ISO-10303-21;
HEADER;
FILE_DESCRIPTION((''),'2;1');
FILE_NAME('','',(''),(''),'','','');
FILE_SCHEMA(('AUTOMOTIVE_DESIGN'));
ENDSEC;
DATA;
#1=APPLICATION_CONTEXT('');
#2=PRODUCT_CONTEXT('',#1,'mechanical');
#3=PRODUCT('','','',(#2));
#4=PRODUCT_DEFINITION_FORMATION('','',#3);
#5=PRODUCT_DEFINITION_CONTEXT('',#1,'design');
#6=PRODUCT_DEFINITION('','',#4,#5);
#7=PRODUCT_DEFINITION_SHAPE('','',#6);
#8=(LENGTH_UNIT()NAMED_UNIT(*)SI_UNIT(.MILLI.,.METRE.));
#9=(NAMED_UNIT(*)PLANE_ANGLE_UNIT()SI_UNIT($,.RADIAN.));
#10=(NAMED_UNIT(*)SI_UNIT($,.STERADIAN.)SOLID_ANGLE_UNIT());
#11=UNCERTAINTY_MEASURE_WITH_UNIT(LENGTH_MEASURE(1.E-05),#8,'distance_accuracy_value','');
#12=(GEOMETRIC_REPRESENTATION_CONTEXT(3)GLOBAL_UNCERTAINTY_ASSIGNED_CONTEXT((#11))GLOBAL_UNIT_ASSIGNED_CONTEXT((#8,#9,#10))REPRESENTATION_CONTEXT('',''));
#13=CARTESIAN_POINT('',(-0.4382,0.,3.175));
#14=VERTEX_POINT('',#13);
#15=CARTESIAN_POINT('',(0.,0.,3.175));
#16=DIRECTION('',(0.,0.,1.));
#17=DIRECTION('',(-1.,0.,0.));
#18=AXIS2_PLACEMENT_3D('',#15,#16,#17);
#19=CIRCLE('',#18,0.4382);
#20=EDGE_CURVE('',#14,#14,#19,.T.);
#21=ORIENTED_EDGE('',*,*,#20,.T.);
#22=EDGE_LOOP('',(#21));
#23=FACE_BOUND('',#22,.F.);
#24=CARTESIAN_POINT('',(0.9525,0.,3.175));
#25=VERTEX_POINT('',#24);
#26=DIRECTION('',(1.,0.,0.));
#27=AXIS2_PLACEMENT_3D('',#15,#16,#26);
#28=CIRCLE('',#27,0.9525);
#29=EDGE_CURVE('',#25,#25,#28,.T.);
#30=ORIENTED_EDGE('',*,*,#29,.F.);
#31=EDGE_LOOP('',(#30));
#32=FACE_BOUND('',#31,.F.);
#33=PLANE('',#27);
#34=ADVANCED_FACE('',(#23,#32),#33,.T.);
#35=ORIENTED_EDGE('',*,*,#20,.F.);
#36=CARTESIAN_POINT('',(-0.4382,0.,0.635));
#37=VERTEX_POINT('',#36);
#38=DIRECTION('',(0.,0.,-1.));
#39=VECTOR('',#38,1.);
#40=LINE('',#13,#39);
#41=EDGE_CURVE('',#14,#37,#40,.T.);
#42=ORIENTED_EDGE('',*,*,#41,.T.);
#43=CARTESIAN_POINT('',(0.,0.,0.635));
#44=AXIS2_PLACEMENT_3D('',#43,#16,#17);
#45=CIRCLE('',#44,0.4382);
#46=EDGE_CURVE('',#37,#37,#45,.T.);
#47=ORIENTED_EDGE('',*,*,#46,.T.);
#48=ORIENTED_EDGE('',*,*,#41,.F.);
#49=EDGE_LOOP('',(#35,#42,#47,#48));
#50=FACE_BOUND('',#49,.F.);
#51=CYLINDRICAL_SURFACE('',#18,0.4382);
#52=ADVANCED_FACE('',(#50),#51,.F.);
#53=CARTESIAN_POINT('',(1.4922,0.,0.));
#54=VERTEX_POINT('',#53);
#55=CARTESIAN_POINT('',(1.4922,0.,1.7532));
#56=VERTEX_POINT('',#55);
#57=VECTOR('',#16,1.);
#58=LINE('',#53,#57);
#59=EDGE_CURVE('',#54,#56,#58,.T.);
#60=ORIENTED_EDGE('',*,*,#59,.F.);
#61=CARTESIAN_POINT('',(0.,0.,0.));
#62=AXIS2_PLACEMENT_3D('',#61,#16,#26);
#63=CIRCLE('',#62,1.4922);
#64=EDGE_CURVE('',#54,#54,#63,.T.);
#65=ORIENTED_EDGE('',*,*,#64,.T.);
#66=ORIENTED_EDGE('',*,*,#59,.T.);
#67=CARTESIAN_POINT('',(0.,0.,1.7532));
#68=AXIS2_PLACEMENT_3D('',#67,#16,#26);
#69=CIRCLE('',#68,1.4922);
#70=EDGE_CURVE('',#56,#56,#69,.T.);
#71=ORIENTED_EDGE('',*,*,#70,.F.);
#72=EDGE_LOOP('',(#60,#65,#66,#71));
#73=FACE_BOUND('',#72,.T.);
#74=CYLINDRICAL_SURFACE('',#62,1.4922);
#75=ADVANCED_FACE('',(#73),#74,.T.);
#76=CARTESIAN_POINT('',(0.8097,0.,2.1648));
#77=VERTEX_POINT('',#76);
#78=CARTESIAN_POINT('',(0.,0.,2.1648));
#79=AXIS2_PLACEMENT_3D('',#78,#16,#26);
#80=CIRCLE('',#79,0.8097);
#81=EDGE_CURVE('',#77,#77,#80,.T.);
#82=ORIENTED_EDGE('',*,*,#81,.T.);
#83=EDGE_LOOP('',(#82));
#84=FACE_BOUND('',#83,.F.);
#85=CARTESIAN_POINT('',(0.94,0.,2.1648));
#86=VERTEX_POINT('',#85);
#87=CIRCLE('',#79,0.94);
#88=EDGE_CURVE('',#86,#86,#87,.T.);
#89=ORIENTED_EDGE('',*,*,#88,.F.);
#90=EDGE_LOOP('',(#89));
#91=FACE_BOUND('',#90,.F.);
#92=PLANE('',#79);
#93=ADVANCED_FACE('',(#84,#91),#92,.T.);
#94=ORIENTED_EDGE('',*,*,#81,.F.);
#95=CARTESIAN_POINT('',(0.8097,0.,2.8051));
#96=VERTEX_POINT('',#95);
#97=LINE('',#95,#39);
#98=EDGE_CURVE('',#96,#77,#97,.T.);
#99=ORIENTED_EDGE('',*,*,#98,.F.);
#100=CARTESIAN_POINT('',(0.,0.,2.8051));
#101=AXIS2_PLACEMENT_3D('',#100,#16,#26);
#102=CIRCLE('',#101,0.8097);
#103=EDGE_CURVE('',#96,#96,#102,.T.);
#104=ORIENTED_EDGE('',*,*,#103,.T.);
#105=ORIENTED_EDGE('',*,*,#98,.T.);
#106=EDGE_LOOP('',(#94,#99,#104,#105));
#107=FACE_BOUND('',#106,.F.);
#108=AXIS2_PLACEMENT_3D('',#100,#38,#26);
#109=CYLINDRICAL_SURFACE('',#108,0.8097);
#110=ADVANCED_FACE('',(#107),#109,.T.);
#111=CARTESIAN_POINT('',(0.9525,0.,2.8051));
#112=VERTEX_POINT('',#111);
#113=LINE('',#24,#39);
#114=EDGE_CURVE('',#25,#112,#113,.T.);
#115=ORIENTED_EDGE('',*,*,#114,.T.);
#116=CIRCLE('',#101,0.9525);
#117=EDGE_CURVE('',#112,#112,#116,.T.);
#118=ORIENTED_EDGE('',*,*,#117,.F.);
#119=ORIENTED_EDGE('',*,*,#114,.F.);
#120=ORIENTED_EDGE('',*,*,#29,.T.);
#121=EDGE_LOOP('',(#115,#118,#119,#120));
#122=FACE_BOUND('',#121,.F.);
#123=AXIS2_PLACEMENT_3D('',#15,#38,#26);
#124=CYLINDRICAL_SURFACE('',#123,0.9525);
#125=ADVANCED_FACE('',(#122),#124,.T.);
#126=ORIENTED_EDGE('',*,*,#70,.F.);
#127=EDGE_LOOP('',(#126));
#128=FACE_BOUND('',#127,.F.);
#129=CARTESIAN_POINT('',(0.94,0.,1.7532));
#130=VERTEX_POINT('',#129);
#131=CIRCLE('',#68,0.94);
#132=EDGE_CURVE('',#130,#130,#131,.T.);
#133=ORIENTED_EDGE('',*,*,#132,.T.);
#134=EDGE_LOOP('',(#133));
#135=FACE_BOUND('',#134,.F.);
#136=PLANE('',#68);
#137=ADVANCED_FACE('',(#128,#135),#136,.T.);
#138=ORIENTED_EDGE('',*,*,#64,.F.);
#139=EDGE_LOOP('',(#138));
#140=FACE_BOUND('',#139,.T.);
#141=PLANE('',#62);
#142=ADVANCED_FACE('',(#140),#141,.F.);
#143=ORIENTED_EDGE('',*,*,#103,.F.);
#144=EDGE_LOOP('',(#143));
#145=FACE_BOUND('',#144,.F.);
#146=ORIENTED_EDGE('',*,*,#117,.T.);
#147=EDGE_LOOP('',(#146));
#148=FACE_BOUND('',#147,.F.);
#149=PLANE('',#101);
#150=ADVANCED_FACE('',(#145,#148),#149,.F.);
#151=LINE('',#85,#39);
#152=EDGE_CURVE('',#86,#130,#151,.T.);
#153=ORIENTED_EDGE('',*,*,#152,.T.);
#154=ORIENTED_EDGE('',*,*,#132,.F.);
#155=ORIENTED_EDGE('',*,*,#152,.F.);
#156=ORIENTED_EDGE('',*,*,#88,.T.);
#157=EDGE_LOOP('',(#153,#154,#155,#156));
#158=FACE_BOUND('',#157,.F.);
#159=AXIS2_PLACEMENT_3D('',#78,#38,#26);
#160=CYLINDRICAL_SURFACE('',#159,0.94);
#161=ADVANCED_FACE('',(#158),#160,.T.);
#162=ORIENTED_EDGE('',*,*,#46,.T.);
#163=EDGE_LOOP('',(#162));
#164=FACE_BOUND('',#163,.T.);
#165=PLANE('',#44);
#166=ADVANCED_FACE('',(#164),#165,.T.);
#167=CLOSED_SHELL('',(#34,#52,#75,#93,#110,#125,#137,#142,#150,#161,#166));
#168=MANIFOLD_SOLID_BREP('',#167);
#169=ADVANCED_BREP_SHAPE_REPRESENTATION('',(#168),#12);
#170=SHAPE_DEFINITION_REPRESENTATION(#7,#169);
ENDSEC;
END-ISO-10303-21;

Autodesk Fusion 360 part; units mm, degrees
sketch "Sketch1" plane through (0, 0, 0) normal (0, 1, 0) x (1, 0, 0)
  line L0 (0, 0) -> (0, -3.175)
  line L1 (0, -3.175) -> (0.9525, -3.175)
  line L2 (0, 0) -> (1.4922, 0)
  line L3 (0.9525, -3.175) -> (0.9525, -2.8051)
  line L4 (0.9525, -2.8051) -> (0.8097, -2.8051)
  line L5 (1.4922, 0) -> (1.4922, -1.7532)
  line L6 (0.8097, -2.8051) -> (0.8097, -2.1648)
  line L7 (0.8097, -2.1648) -> (0.94, -2.1648)
  line L8 (0.94, -2.1648) -> (0.94, -1.7532)
  line L9 (0.94, -1.7532) -> (1.4922, -1.7532)
  dimension "d1" = 3.175
  dimension "d3" = 1.4922
revolve "Revolve1" add sketch "Sketch1" angle 360 about axis through (0, 0, 0) along (0, 0, 1)
sketch "Sketch2" plane through (0, 0, 3.175) normal (0, 0, 1) x (-1, 0, 0)
  circle A0 centre (0, 0) radius 0.9525
  circle A1 centre (0, 0) radius 0.4382
  dimension "d6" = 0.8763
extrude "Extrude1" cut sketch "Sketch2" against normal blind 2.54 contours A1
equation "d3 = ( 0.1175 / 2 ) * 1 in"
